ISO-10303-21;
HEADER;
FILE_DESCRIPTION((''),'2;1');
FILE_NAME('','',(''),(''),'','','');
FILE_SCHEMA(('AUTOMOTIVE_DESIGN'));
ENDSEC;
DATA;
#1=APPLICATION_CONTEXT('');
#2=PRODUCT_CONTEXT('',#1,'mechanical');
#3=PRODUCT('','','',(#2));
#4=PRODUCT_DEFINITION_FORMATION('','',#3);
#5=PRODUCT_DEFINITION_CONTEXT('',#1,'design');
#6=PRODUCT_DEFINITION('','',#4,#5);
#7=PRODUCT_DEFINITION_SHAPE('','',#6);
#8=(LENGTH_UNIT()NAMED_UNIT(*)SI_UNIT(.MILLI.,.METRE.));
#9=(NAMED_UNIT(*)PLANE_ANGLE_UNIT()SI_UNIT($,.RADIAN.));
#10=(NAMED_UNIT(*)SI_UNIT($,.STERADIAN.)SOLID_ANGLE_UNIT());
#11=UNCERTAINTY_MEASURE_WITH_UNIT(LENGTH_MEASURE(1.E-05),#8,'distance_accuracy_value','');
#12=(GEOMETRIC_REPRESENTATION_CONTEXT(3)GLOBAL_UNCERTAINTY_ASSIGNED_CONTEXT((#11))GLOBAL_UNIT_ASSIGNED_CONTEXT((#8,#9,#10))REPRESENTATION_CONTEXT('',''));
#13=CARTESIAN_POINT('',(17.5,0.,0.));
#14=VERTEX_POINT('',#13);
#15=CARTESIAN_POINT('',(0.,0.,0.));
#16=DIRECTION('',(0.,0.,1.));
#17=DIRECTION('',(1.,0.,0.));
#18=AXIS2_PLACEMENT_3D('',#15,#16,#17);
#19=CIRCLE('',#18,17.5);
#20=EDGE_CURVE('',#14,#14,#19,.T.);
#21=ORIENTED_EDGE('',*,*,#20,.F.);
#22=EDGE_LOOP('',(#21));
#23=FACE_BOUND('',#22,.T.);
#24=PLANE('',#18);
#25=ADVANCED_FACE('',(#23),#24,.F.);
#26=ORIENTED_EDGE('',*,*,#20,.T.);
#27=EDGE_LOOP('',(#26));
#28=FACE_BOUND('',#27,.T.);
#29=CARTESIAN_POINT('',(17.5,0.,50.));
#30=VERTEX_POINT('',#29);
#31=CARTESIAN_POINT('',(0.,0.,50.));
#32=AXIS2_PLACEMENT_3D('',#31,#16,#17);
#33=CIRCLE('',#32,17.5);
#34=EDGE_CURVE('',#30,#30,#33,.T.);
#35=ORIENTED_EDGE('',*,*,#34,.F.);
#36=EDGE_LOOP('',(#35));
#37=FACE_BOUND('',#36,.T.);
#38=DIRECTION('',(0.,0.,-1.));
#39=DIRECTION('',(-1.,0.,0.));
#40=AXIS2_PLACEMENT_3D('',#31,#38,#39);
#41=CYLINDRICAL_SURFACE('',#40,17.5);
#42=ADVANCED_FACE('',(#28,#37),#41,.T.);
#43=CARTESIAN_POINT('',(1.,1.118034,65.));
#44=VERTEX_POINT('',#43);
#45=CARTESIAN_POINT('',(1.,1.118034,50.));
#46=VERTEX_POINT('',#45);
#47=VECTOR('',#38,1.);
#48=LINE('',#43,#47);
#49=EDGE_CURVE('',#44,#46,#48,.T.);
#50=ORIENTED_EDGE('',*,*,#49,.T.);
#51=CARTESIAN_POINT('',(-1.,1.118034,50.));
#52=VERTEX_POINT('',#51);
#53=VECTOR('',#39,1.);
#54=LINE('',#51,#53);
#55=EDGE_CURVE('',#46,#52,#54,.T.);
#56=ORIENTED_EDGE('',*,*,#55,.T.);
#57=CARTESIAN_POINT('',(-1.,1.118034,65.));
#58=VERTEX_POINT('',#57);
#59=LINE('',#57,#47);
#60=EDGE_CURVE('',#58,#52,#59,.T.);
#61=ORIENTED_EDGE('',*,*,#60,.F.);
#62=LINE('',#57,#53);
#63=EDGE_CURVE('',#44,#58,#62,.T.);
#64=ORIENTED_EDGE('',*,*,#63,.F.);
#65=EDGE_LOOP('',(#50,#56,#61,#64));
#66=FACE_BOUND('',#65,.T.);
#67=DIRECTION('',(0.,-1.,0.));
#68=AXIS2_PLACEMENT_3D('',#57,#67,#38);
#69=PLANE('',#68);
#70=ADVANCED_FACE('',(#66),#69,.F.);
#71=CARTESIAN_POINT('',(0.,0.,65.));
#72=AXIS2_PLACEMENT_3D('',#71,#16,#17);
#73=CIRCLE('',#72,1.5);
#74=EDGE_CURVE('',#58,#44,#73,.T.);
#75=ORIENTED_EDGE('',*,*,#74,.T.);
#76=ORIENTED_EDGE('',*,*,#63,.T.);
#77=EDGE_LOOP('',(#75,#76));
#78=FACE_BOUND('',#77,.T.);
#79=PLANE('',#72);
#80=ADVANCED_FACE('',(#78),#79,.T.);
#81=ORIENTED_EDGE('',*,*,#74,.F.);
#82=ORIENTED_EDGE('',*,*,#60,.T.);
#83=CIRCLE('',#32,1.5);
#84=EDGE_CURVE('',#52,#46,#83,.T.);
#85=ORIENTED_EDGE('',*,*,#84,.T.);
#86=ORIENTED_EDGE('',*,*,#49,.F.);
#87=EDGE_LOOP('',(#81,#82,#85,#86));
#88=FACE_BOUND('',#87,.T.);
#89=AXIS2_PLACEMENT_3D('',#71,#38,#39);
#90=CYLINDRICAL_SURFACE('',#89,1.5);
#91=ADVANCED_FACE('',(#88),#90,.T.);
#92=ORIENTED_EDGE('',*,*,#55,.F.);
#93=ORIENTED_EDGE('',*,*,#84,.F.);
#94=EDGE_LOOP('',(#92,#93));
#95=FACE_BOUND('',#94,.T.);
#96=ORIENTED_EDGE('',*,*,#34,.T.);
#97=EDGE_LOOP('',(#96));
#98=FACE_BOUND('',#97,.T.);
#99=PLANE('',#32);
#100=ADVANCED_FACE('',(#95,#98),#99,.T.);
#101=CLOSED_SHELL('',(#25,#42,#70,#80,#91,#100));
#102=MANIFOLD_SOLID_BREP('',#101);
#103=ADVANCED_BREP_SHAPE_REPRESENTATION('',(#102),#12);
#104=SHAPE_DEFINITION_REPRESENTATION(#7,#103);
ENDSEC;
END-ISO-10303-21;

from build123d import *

# Parameters (mm, degrees)
SKETCH1_R           = 17.5
BOSS_EXTRUDE1_DEPTH = 50
BOSS_EXTRUDE5_DEPTH = 15


with BuildPart() as part:
    # Sketch1 → Boss-Extrude1 (new body)
    with BuildSketch(Plane.XY):
        Circle(SKETCH1_R)
    extrude(amount=BOSS_EXTRUDE1_DEPTH)

    # Sketch7 → Boss-Extrude5 (add)
    with BuildSketch(Plane.XY.offset(50)):
        with BuildLine():
            Line((-1, 1.118033989), (1, 1.118033989))
            ThreePointArc((1, 1.118033989), (0, -1.5), (-1, 1.118033989))
        make_face()
    extrude(amount=BOSS_EXTRUDE5_DEPTH)


solid = part.part
